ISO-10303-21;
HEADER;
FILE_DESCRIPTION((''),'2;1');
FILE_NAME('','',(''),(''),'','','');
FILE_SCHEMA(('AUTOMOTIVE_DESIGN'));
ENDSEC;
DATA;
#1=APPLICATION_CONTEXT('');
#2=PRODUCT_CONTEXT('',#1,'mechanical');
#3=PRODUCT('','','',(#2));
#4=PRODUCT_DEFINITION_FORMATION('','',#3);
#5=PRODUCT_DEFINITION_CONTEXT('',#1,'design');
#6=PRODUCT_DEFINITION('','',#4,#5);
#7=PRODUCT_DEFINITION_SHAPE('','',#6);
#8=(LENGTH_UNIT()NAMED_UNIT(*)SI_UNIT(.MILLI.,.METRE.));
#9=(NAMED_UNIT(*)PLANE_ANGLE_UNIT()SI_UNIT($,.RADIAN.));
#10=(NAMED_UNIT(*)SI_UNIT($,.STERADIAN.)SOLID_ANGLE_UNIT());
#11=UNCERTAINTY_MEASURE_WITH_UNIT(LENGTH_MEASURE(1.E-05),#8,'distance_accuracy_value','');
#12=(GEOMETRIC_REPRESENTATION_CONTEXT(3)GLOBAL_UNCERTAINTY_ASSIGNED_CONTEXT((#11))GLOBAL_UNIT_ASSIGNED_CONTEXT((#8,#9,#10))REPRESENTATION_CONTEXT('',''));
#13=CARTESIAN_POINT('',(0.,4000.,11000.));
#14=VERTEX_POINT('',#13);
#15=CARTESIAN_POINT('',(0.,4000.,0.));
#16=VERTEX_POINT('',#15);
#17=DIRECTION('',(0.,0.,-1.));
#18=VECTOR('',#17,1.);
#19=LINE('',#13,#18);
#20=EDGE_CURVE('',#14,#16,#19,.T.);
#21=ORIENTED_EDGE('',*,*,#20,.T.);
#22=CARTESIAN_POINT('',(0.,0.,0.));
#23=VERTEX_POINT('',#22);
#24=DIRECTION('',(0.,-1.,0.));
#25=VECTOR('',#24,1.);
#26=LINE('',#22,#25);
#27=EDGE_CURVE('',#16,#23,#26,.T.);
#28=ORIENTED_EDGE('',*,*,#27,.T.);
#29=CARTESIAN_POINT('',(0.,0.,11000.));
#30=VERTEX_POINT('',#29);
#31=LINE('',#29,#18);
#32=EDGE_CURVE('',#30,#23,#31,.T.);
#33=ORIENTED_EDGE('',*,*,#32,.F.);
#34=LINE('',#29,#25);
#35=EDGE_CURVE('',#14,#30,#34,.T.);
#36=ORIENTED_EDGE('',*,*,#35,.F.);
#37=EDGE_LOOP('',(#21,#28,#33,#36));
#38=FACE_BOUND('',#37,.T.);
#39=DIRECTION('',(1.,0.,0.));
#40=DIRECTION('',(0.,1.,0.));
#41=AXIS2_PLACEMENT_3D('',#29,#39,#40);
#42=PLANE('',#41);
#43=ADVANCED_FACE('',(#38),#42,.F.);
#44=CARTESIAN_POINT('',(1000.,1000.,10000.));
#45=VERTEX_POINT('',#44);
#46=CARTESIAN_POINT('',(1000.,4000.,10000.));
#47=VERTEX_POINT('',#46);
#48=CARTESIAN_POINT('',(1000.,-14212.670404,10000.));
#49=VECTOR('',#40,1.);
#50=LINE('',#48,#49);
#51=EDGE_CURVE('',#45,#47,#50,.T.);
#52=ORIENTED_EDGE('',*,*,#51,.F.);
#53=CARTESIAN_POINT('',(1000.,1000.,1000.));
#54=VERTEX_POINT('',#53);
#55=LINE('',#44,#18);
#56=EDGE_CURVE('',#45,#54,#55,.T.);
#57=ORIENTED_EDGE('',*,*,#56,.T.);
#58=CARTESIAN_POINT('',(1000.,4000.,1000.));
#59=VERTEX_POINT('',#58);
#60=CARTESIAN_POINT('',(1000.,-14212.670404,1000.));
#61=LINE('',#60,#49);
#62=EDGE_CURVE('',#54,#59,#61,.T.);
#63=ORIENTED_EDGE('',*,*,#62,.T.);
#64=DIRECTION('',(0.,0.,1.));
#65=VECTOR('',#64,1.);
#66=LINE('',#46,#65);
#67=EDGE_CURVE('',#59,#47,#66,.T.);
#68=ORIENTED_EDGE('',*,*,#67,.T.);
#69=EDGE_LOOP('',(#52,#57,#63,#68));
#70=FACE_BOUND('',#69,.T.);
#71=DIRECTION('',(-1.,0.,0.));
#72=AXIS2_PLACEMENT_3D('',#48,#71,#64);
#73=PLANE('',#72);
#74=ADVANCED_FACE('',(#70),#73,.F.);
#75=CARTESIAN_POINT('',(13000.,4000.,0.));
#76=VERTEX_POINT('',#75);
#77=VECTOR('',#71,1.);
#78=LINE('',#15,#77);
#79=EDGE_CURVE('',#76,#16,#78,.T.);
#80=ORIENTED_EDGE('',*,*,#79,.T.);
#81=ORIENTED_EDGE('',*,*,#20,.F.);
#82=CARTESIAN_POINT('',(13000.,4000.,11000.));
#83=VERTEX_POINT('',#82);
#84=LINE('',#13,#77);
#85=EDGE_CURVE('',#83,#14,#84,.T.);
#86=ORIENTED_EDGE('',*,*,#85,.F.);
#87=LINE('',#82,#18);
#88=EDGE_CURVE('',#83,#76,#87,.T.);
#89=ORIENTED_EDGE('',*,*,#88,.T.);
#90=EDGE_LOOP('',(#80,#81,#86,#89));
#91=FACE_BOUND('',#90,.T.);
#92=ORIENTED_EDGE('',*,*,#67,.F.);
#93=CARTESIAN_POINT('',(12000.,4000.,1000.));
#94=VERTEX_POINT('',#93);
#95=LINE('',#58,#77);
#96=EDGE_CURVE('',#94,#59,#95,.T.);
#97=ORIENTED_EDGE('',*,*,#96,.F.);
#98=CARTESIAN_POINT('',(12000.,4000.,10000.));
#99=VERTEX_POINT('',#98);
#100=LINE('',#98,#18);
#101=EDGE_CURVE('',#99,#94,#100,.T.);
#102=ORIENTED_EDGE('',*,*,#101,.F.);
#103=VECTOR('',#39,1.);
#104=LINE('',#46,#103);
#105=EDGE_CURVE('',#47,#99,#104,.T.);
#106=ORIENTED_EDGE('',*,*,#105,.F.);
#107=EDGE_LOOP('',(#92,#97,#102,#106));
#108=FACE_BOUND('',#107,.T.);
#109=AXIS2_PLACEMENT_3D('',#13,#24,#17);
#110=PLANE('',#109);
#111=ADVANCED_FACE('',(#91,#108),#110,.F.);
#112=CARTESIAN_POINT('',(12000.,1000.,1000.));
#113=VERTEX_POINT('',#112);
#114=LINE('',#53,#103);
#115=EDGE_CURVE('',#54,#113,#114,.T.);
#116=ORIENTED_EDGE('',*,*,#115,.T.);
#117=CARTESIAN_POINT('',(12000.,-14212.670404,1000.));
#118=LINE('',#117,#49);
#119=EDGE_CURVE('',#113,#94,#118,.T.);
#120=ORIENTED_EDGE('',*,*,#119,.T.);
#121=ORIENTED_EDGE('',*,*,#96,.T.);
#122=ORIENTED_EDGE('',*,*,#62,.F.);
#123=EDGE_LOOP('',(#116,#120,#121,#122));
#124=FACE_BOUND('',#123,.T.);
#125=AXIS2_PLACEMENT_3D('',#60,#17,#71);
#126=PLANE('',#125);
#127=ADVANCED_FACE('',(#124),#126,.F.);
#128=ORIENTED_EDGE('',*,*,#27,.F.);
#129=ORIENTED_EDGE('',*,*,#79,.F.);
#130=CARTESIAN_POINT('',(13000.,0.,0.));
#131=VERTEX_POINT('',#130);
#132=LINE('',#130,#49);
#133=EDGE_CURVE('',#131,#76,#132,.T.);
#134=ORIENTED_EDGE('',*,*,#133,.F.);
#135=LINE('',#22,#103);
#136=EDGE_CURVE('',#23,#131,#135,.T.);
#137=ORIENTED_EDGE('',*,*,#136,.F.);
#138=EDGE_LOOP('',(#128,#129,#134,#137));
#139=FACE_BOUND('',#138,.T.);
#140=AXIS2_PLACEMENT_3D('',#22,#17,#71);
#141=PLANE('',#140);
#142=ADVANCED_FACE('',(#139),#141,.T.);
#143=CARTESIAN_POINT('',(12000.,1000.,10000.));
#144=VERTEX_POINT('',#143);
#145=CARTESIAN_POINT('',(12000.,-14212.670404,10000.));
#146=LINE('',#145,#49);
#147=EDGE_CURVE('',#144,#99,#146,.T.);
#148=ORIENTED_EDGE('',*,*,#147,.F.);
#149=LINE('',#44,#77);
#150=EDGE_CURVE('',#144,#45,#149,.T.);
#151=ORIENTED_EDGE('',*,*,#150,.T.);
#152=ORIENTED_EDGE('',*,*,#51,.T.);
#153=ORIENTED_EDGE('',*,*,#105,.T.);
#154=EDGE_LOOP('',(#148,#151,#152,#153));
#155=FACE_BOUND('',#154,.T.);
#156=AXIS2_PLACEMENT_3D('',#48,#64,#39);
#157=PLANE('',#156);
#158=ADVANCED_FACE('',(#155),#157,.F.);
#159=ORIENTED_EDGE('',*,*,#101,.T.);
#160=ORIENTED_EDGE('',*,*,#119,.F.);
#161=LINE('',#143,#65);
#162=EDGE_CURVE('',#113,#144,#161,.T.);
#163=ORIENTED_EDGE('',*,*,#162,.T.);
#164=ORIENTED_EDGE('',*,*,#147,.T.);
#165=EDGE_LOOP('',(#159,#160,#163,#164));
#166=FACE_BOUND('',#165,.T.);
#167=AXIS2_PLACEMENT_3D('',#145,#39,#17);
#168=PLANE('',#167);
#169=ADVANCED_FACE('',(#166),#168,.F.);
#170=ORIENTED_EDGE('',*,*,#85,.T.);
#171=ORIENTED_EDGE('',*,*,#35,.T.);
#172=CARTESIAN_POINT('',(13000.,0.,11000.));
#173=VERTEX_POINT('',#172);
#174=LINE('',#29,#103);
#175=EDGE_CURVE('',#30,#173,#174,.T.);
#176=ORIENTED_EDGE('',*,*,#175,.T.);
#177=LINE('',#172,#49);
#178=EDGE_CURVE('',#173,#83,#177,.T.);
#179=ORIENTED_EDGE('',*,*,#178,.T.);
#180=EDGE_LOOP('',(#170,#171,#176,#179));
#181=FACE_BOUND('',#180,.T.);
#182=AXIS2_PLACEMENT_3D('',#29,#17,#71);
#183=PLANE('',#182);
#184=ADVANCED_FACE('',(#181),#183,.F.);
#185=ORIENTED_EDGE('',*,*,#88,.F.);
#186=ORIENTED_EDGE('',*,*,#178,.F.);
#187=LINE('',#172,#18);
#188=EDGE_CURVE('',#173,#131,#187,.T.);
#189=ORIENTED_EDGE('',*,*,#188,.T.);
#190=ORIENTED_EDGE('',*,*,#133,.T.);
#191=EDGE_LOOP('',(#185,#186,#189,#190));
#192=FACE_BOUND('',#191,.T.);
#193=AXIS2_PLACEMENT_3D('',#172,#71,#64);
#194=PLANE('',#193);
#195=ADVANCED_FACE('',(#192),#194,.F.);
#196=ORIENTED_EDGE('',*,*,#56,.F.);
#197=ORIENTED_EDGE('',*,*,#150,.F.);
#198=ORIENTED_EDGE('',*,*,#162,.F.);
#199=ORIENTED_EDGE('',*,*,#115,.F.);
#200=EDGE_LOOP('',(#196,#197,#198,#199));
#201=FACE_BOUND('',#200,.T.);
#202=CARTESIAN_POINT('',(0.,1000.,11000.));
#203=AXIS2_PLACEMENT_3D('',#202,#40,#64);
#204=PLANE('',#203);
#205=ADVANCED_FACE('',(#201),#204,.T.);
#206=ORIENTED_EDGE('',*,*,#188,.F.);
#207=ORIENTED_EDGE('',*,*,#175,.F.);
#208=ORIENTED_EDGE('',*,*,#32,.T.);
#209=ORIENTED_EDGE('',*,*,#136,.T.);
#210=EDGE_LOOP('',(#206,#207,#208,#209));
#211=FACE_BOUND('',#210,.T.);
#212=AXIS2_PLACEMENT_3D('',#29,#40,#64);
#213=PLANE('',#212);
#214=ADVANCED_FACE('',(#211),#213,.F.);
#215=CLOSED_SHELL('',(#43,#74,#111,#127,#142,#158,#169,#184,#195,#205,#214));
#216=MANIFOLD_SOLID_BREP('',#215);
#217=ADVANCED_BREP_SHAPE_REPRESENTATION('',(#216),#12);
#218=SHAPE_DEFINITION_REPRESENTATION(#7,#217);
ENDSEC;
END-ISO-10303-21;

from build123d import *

# Parameters (mm, degrees)
SKETCH1_W           = 13000
SKETCH1_H           = 4000
BOSS_EXTRUDE2_DEPTH = 11000
SKETCH2_W           = 11000
SKETCH2_H           = 9000
CUT_EXTRUDE1_DEPTH  = 3000


with BuildPart() as part:
    # Sketch1 → Boss-Extrude2 (new body)
    with BuildSketch(Plane.XY):
        with Locations((6500, 2000)):
            Rectangle(SKETCH1_W, SKETCH1_H)
    extrude(amount=BOSS_EXTRUDE2_DEPTH)

    # Sketch2 → Cut-Extrude1 (cut)
    with BuildSketch(Plane(origin=(0, 4000, 0), x_dir=(1, 0, 0), z_dir=(0, 1, 0))):
        with Locations((6500, -5500)):
            Rectangle(SKETCH2_W, SKETCH2_H)
    extrude(amount=-CUT_EXTRUDE1_DEPTH, mode=Mode.SUBTRACT)


solid = part.part
